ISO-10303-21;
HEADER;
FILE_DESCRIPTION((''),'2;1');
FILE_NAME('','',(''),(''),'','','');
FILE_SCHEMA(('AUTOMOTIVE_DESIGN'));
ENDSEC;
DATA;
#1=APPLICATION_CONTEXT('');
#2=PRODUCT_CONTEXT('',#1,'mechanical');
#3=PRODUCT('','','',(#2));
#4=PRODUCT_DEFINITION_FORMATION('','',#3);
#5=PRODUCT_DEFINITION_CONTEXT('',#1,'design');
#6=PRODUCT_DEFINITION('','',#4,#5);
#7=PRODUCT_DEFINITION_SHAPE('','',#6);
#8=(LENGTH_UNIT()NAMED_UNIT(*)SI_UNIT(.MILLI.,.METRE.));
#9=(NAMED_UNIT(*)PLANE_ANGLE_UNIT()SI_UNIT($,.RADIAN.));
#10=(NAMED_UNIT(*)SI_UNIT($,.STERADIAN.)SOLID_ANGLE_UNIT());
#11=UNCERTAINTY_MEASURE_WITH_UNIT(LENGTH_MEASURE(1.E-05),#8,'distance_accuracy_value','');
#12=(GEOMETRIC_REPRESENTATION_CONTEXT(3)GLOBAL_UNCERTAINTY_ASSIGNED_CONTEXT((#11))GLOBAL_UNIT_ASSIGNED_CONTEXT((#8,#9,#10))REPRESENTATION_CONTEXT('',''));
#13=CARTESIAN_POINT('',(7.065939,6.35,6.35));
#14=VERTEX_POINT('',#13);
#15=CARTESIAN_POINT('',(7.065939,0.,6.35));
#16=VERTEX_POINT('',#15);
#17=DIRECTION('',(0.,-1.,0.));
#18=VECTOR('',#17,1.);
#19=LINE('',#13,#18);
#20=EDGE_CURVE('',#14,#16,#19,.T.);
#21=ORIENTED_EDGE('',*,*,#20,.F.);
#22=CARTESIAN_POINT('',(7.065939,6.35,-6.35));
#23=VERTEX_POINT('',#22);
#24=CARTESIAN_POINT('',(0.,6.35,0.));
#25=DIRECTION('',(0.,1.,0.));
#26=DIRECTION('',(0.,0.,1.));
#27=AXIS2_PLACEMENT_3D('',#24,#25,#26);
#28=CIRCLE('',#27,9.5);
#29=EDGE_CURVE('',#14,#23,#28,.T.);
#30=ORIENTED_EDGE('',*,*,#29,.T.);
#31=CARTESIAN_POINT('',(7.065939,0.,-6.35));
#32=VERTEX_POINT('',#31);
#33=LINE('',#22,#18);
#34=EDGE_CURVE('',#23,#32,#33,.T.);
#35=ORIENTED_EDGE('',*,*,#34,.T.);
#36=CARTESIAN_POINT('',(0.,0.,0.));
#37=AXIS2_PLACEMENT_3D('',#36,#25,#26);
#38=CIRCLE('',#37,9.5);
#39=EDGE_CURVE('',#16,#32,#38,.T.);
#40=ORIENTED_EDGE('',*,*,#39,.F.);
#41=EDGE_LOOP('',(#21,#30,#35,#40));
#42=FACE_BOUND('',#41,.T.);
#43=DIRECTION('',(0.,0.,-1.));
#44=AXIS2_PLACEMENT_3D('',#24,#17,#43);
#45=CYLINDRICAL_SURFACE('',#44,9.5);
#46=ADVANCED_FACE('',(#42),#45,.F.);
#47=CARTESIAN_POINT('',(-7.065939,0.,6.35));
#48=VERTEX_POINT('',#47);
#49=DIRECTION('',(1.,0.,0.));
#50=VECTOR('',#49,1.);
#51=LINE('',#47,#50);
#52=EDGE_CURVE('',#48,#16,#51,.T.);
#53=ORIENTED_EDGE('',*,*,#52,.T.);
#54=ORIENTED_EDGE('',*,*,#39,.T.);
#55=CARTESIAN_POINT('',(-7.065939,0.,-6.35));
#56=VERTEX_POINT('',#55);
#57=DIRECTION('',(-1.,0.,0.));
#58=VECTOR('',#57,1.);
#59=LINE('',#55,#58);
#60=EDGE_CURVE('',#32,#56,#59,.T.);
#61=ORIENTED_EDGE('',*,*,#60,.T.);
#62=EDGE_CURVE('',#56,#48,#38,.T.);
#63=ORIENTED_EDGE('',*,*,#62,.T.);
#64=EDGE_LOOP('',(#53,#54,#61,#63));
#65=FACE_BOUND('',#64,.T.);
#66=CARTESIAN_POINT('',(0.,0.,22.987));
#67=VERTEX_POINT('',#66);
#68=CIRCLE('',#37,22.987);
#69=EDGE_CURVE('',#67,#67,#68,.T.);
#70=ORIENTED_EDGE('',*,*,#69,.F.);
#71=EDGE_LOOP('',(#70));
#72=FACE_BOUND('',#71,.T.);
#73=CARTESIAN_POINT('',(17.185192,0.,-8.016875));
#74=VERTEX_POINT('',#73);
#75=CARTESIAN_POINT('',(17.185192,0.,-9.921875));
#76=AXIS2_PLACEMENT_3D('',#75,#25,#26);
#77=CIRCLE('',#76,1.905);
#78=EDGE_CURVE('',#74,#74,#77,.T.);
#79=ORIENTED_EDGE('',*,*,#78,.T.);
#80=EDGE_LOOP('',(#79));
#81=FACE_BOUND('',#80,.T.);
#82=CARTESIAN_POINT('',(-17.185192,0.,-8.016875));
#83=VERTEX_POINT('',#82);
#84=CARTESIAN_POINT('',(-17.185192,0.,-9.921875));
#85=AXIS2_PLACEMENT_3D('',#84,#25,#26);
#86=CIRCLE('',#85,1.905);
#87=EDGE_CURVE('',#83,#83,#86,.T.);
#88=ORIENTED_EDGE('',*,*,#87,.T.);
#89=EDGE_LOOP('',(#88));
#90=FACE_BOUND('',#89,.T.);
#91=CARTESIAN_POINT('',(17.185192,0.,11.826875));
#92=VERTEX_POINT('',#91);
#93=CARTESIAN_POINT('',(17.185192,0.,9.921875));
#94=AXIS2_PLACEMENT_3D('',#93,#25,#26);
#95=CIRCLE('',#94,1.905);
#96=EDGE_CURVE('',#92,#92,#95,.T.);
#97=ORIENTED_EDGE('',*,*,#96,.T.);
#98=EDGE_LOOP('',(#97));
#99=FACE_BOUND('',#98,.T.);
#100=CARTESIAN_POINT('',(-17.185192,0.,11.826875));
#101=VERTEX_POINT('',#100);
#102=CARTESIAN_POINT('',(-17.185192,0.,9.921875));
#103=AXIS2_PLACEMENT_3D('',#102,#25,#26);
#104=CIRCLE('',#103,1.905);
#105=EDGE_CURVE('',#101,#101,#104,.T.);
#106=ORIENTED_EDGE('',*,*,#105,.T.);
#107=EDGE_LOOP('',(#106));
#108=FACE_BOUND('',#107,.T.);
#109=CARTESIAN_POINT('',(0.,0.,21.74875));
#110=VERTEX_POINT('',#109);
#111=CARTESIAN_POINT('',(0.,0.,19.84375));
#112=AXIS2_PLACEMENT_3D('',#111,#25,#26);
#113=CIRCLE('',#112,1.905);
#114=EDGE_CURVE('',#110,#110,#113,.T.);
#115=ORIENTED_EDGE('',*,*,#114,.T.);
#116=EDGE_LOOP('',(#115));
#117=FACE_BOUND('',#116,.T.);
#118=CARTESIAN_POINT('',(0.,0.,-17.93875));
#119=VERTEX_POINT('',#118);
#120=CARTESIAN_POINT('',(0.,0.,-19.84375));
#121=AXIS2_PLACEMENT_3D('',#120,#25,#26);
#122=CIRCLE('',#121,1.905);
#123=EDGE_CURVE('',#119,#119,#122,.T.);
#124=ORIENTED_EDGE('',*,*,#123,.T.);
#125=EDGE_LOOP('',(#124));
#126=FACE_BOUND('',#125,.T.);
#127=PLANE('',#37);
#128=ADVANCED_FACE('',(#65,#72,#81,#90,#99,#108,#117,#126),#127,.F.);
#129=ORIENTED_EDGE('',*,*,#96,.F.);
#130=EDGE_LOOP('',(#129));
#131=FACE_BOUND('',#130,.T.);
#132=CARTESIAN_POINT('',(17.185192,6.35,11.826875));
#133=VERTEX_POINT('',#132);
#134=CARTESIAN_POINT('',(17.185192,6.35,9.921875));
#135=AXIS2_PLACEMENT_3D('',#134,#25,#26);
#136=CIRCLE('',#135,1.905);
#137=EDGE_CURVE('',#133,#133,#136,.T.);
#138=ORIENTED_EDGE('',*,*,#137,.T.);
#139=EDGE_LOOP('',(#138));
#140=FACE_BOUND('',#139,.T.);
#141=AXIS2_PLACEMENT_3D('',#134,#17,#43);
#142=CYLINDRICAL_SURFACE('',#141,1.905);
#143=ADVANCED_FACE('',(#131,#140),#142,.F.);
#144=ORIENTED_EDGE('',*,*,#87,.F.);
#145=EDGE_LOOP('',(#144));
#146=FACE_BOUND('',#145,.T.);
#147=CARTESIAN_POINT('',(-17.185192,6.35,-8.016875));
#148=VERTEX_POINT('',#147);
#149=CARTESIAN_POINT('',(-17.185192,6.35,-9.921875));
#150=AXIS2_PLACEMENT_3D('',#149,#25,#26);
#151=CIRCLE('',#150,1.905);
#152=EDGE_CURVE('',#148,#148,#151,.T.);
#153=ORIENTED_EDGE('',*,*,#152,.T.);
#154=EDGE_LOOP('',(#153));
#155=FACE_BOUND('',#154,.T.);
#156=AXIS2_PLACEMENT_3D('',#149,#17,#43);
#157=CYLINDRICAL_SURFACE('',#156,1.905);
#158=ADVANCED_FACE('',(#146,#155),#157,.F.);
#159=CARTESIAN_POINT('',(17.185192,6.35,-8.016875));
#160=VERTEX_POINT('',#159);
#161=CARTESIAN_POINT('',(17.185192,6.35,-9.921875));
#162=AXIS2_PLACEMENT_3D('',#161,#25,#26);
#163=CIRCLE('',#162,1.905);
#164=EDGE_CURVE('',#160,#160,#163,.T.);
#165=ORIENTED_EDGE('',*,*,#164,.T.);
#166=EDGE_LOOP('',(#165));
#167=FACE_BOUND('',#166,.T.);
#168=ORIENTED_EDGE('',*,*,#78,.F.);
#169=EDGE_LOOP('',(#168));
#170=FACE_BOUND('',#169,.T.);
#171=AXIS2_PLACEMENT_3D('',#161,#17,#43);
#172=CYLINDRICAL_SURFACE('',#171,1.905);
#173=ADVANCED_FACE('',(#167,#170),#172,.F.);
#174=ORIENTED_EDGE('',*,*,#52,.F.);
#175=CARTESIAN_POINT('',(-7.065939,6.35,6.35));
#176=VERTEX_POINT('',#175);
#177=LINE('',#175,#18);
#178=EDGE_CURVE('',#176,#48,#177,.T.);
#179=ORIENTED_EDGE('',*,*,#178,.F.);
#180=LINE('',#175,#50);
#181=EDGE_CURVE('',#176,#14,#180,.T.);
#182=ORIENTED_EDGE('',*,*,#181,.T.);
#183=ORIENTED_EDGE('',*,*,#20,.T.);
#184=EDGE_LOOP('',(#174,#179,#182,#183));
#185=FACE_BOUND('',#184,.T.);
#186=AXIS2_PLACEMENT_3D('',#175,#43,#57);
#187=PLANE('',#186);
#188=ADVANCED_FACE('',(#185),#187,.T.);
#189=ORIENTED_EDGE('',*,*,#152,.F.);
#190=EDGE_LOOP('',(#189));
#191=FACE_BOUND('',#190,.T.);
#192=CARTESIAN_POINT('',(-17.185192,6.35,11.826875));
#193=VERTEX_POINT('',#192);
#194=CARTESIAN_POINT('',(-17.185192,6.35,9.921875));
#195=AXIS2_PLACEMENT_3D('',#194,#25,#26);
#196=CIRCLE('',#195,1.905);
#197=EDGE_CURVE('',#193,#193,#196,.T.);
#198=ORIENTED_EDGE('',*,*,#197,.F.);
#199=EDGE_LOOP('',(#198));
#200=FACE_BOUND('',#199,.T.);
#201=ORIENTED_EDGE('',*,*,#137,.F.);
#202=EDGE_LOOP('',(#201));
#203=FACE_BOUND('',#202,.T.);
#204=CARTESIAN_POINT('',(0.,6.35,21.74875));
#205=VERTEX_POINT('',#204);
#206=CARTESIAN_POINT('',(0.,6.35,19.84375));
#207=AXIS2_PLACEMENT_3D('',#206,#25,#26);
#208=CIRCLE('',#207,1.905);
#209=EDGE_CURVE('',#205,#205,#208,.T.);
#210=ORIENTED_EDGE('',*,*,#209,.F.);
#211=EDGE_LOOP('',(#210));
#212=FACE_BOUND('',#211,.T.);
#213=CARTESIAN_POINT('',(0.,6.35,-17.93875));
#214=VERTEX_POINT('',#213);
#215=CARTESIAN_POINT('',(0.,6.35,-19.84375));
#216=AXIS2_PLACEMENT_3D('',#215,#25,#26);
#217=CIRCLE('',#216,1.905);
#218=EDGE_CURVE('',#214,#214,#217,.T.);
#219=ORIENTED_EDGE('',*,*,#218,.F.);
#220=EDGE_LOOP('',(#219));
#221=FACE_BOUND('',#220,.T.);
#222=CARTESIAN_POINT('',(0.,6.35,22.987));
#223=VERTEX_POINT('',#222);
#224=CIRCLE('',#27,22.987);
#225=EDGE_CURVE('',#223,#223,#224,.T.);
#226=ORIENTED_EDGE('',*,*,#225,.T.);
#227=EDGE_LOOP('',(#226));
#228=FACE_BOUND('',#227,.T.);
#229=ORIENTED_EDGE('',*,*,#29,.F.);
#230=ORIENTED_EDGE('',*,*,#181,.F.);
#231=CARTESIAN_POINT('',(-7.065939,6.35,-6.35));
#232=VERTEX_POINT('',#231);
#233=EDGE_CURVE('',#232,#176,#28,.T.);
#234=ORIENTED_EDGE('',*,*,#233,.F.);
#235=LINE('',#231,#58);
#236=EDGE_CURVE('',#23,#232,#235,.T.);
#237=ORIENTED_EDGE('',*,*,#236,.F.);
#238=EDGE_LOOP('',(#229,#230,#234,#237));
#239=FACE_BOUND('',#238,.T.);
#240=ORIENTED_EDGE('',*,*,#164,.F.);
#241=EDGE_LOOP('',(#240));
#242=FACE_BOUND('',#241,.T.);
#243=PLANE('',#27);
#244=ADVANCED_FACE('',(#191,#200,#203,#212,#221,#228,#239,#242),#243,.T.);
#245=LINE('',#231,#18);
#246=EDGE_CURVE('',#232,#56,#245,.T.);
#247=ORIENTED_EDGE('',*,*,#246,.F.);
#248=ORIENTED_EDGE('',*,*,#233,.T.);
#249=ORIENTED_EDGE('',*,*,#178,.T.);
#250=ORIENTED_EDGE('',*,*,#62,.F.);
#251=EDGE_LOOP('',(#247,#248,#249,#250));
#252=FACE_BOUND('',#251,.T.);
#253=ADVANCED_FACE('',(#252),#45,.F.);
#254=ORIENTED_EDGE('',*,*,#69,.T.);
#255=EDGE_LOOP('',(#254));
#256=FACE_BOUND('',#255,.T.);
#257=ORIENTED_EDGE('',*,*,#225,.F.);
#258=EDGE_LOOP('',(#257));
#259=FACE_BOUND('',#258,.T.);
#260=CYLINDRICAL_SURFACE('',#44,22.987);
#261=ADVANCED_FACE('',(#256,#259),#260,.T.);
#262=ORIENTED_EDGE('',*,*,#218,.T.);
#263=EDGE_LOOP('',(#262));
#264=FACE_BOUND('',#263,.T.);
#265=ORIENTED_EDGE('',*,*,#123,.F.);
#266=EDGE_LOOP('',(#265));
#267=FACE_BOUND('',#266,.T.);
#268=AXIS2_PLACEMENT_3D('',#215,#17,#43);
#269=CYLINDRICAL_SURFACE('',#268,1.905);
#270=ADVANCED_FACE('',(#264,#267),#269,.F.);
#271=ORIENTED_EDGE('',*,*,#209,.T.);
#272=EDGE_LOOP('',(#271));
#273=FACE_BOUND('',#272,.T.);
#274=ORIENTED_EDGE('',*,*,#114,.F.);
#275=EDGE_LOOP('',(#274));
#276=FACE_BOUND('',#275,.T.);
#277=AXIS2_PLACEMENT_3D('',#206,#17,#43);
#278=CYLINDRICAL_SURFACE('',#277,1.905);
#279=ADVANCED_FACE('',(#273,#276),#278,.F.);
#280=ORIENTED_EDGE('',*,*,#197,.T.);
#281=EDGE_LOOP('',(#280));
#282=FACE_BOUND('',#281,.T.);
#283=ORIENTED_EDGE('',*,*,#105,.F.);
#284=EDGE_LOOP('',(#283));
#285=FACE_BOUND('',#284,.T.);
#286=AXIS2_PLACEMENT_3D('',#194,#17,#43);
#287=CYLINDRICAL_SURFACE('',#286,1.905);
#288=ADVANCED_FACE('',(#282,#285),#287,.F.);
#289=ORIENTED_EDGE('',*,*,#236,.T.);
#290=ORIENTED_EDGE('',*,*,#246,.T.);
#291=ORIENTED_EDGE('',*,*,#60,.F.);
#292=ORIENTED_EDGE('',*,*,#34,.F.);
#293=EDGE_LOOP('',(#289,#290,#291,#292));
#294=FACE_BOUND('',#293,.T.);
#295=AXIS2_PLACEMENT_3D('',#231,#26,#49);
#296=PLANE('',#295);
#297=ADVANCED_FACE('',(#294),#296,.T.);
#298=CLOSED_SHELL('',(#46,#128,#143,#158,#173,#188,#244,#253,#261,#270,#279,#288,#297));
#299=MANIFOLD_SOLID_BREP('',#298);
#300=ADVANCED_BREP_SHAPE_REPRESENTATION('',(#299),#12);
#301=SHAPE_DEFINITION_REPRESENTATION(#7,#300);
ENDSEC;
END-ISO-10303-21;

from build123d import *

# Parameters (mm, degrees)
SKETCH1_R           = 22.987
SKETCH1_R_2         = 1.905
BOSS_EXTRUDE1_DEPTH = 6.35


with BuildPart() as part:
    # Sketch1 → Boss-Extrude1 (new body)
    with BuildSketch(Plane(origin=(0, 0, 0), x_dir=(1, 0, 0), z_dir=(0, 1, 0))):
        Circle(SKETCH1_R)
        with Locations((0, 19.84375)):
            Circle(SKETCH1_R_2, mode=Mode.SUBTRACT)
        with Locations((17.185191606, 9.921875)):
            Circle(SKETCH1_R_2, mode=Mode.SUBTRACT)
        with Locations((17.185191606, -9.921875)):
            Circle(SKETCH1_R_2, mode=Mode.SUBTRACT)
        with Locations((0, -19.84375)):
            Circle(SKETCH1_R_2, mode=Mode.SUBTRACT)
        with Locations((-17.185191606, -9.921875)):
            Circle(SKETCH1_R_2, mode=Mode.SUBTRACT)
        with Locations((-17.185191606, 9.921875)):
            Circle(SKETCH1_R_2, mode=Mode.SUBTRACT)
        with BuildLine():
            Line((-7.065939428, -6.35), (7.065939428, -6.35))
            ThreePointArc((7.065939428, -6.35), (9.5, 0), (7.065939428, 6.35))
            Line((7.065939428, 6.35), (-7.065939428, 6.35))
            ThreePointArc((-7.065939428, 6.35), (-9.5, 0), (-7.065939428, -6.35))
        make_face(mode=Mode.SUBTRACT)
    extrude(amount=BOSS_EXTRUDE1_DEPTH)


solid = part.part
